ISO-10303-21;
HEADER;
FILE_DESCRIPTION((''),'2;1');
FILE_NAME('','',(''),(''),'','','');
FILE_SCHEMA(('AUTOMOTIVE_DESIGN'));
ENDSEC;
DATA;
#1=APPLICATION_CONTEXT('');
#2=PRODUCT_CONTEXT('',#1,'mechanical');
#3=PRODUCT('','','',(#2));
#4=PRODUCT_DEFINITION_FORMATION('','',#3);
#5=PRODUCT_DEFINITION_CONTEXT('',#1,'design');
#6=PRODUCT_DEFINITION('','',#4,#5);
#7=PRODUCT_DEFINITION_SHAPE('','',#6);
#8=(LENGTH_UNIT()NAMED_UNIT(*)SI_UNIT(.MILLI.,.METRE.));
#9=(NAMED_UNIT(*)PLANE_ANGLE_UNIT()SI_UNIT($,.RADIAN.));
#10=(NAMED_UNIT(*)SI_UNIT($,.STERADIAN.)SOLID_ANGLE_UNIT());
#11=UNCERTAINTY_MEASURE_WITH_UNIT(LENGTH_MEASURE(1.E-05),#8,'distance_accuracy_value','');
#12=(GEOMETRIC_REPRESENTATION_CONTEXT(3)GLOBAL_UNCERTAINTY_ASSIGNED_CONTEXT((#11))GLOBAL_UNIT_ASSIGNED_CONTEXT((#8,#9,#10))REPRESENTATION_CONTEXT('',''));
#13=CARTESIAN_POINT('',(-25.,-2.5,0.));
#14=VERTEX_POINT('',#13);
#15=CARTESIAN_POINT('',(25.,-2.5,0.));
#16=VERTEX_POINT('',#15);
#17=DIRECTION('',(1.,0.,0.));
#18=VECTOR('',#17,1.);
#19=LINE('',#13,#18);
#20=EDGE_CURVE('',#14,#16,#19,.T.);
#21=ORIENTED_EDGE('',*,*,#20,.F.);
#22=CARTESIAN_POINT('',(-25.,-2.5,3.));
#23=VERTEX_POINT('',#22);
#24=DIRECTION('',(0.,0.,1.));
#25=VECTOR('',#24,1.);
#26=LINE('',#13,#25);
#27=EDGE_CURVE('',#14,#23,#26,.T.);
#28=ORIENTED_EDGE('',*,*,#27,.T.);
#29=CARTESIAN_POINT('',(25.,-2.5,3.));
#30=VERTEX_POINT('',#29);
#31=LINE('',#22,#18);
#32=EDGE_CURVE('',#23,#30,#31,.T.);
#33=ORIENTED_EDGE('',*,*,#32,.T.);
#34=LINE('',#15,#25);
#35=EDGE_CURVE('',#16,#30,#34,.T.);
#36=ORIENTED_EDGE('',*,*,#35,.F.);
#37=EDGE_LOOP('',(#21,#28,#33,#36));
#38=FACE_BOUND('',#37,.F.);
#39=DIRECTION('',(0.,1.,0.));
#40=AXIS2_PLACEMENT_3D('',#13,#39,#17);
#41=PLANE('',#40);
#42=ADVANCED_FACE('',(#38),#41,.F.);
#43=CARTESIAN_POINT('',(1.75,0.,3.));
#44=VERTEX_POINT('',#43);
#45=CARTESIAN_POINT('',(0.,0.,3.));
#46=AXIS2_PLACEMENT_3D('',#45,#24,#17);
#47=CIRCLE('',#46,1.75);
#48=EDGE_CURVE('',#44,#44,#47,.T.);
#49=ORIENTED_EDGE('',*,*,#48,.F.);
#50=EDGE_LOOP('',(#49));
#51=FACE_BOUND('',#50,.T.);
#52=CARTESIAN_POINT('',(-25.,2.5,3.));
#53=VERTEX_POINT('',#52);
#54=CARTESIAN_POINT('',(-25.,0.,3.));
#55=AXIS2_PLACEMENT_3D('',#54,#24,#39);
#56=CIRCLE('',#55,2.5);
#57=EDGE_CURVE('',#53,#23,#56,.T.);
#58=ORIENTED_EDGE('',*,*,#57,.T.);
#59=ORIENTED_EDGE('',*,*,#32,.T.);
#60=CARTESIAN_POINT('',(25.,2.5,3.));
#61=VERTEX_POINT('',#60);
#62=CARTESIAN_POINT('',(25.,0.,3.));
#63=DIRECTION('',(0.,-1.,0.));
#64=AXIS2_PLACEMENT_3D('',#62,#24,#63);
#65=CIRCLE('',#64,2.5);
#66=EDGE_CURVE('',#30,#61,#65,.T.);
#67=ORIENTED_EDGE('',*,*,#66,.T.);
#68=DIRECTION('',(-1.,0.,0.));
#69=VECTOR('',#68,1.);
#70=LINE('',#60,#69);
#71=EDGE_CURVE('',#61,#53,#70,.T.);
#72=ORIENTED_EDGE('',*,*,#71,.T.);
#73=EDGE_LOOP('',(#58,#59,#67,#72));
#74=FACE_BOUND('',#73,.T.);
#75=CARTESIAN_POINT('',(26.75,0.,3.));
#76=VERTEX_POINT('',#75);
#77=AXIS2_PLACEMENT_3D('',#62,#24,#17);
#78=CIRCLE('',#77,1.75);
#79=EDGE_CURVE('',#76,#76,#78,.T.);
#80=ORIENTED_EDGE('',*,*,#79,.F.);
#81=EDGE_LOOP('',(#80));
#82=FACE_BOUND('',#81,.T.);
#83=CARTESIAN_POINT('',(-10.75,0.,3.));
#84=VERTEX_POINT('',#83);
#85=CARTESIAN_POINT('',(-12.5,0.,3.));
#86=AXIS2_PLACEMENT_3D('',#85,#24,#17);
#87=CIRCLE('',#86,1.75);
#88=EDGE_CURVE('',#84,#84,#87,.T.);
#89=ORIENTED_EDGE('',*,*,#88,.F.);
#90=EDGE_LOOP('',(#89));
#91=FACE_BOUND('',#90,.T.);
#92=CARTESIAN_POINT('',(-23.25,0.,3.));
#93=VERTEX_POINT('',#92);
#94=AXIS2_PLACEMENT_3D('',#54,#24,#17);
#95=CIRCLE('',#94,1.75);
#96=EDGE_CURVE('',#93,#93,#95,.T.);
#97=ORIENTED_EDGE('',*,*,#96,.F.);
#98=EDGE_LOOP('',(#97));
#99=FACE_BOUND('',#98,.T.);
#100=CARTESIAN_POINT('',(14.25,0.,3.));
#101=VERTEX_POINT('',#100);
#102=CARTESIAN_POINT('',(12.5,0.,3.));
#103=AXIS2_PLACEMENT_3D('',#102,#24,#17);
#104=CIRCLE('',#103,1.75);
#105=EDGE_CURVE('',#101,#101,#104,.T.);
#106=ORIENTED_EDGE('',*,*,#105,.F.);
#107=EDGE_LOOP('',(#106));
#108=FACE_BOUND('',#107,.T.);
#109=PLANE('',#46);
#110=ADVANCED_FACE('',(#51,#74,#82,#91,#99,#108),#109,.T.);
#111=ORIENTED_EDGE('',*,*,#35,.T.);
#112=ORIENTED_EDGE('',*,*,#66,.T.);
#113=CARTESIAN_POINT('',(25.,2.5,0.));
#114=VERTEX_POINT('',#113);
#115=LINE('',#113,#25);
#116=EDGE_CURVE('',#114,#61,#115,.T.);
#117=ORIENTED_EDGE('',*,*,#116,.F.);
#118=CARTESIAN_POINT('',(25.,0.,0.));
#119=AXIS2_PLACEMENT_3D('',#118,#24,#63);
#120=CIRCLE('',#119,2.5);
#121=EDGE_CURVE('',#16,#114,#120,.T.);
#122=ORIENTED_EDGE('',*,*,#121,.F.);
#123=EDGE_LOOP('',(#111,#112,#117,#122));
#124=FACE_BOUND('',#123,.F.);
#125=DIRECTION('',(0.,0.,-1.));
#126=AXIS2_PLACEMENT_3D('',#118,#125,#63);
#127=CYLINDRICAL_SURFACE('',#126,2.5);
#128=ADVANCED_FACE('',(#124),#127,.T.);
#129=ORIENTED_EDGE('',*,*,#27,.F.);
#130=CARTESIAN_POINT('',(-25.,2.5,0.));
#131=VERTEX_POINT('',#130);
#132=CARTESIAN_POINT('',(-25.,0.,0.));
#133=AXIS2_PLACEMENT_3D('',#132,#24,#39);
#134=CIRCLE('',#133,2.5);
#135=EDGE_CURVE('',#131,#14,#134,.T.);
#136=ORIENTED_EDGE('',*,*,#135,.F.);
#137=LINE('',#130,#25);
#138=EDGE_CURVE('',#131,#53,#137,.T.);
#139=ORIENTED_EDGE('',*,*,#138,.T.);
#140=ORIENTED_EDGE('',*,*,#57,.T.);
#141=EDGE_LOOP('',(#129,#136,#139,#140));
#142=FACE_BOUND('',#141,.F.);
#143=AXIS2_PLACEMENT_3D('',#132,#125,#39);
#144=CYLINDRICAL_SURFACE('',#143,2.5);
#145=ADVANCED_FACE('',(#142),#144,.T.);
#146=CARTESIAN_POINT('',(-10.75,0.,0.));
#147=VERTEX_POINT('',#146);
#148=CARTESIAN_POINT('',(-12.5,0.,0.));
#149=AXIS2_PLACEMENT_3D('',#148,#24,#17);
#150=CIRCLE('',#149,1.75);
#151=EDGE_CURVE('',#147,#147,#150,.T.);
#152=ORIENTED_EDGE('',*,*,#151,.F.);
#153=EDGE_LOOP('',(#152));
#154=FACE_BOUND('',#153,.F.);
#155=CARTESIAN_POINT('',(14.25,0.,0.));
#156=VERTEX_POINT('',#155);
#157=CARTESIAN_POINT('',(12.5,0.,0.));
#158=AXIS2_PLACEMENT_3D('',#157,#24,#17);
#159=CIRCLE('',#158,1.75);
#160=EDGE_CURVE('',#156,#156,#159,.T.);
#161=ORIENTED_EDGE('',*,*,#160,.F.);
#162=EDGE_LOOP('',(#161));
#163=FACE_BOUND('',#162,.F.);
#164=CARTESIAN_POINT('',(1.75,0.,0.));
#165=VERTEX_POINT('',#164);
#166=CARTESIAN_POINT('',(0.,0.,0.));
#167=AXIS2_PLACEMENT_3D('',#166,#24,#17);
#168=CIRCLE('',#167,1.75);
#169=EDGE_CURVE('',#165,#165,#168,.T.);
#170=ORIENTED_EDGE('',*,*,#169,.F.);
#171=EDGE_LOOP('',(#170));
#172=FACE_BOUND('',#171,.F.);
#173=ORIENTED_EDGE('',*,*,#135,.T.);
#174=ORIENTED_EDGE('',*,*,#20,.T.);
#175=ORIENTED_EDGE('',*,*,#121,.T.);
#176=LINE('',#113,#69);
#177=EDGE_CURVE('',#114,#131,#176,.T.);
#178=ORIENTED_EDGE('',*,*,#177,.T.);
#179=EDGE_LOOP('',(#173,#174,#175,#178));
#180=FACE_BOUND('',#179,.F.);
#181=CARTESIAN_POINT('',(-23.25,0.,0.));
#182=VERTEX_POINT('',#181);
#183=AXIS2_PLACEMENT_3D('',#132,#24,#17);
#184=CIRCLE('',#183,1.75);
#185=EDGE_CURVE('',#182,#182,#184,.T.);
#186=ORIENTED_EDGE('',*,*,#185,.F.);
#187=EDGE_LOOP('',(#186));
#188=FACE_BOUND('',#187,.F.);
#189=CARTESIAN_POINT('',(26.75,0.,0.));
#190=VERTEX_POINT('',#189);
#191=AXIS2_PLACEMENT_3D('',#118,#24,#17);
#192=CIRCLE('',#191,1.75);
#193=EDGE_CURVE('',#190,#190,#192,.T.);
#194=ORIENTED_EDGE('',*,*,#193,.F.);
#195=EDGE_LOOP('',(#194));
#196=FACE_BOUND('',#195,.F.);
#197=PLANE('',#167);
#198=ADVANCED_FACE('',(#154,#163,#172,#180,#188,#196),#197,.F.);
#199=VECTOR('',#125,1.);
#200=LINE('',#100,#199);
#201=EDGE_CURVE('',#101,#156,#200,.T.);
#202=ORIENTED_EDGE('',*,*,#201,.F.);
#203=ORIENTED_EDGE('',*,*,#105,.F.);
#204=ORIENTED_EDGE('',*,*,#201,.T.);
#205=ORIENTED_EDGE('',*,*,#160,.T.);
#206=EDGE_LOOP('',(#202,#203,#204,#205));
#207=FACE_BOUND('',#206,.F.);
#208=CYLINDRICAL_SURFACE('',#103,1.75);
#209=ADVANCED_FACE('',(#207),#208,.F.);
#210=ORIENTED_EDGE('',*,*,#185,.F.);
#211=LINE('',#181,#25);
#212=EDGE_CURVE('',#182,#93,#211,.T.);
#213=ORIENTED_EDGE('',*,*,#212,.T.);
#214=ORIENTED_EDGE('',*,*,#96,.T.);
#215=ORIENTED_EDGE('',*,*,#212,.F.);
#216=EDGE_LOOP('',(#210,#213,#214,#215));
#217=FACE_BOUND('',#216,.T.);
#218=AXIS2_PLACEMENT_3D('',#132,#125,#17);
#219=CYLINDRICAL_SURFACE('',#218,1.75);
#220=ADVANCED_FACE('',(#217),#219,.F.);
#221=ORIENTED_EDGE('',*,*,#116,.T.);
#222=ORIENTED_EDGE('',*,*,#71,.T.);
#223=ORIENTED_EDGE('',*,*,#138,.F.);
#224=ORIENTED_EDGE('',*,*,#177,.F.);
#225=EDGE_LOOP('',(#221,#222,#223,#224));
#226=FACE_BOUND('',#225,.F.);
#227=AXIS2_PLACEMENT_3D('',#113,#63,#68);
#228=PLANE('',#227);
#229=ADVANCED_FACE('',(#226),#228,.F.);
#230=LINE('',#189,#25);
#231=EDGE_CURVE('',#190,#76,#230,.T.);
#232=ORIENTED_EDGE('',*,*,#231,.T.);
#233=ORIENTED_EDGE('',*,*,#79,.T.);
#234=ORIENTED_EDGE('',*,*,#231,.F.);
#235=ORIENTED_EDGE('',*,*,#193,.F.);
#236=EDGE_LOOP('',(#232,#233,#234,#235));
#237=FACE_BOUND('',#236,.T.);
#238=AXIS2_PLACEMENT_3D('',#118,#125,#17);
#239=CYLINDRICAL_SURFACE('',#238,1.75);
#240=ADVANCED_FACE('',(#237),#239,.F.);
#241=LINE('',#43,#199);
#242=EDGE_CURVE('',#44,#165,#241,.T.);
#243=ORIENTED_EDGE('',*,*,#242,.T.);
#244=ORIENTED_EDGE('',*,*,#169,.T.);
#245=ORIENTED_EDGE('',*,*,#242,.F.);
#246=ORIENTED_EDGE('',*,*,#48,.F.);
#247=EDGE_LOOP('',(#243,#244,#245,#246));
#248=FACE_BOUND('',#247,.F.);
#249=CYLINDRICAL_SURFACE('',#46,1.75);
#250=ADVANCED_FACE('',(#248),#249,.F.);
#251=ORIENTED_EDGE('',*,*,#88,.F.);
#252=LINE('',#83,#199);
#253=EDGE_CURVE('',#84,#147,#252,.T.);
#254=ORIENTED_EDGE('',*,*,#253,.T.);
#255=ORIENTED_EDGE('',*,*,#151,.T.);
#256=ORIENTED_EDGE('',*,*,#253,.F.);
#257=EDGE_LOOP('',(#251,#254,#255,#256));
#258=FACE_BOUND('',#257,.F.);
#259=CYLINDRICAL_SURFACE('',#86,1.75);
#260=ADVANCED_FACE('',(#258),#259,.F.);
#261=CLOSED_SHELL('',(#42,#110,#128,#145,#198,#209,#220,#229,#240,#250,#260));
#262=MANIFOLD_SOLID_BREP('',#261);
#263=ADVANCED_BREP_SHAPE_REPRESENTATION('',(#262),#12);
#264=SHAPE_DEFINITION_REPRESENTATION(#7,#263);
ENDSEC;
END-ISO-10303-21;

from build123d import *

# Parameters (mm, degrees)
F0_R     = 1.75
F1_DEPTH = 3
F2_R     = 1.75
F3_DEPTH = 3.001


with BuildPart() as f1:
    # F0 (on Top) → F1 (new body)
    with BuildSketch(Plane.XY):
        with BuildLine():
            Line((25, 2.5), (-25, 2.5))
            ThreePointArc((-25, 2.5), (-27.5, 0), (-25, -2.5))
            Line((-25, -2.5), (25, -2.5))
            ThreePointArc((25, -2.5), (27.5, 0), (25, 2.5))
        make_face()
        with Locations((-25, 0)):
            Circle(F0_R, mode=Mode.SUBTRACT)
        with Locations((25, 0)):
            Circle(F0_R, mode=Mode.SUBTRACT)
    extrude(amount=F1_DEPTH)

    # F2 (on face) → F3 (cut, through all)
    with BuildSketch(Plane.XY.offset(3)):
        with Locations((12.5, 0)):
            Circle(F2_R)
        with Locations((-12.5, 0)):
            Circle(F2_R)
        Circle(F2_R)
    extrude(amount=-F3_DEPTH, mode=Mode.SUBTRACT)


solid = f1.part
